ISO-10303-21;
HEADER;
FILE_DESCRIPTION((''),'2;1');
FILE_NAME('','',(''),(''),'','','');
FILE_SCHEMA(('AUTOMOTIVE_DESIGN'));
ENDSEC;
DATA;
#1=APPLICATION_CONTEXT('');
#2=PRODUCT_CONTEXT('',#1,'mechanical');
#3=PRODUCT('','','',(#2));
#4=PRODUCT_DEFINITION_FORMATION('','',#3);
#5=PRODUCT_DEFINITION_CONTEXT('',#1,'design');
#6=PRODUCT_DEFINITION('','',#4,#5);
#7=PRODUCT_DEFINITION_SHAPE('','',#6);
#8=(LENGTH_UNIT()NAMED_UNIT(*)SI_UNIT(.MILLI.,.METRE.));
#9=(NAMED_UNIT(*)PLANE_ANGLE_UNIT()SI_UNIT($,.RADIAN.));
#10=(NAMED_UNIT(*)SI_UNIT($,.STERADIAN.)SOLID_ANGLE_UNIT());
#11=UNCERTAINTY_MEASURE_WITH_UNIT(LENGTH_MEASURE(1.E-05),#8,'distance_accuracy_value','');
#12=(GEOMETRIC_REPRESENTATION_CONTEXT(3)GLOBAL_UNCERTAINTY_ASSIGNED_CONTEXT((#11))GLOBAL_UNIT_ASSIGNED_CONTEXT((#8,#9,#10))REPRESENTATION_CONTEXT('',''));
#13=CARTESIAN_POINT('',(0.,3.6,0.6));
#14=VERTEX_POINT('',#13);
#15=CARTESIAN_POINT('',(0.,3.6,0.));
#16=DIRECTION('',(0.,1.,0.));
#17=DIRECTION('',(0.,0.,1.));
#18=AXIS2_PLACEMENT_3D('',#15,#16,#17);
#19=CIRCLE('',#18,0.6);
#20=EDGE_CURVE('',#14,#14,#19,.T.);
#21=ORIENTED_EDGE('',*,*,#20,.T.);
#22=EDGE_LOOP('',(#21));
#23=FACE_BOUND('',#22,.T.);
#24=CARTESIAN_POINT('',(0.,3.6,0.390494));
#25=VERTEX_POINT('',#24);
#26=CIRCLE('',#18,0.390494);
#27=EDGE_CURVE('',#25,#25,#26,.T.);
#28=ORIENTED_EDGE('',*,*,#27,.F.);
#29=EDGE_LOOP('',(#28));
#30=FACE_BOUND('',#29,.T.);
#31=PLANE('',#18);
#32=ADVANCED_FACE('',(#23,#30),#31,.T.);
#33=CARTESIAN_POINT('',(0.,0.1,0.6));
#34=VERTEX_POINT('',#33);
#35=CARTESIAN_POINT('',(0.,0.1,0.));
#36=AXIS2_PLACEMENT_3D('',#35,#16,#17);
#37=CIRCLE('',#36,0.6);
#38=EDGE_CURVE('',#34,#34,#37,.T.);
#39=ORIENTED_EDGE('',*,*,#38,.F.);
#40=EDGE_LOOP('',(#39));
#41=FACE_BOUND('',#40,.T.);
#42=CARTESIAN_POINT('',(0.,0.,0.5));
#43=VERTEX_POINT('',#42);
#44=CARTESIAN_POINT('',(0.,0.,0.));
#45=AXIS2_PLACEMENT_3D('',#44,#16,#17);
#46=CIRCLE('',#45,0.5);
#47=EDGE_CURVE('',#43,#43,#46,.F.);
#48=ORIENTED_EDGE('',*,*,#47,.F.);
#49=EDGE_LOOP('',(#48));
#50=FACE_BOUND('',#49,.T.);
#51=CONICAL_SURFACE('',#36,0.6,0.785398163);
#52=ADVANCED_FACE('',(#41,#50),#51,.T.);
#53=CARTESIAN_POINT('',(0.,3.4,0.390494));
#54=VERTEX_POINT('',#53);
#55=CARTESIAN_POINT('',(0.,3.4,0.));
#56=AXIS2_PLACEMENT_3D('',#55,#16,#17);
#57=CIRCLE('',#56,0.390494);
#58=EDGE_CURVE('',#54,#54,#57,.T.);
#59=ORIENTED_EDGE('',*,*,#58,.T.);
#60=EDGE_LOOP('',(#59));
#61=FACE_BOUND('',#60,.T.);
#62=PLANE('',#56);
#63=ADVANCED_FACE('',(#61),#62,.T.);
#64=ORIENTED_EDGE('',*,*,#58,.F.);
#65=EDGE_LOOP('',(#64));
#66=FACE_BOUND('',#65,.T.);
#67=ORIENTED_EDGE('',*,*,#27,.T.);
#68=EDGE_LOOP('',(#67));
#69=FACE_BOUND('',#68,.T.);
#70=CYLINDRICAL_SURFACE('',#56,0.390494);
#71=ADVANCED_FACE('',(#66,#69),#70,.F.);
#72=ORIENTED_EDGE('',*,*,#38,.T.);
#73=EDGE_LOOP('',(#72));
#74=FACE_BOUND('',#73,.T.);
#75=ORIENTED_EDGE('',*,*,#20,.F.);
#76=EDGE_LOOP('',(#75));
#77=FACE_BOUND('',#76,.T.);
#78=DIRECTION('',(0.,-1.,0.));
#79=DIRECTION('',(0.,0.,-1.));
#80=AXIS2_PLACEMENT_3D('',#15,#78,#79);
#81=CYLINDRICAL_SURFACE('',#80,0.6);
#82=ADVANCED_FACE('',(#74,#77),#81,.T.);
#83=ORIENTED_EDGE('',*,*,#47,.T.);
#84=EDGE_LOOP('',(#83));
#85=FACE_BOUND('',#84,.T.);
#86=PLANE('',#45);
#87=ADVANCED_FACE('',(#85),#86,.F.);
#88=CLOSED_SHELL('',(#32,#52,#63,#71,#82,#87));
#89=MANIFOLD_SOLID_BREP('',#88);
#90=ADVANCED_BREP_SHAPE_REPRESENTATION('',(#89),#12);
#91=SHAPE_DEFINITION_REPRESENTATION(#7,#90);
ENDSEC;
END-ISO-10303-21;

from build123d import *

# Parameters (mm, degrees)
SKETCH1_R           = 0.6
BOSS_EXTRUDE1_DEPTH = 3.6
CHAMFER1_SIZE       = 0.1
SKETCH2_R           = 0.390493672
CUT_EXTRUDE1_DEPTH  = 0.2


with BuildPart() as part:
    # Sketch1 → Boss-Extrude1 (new body)
    with BuildSketch(Plane(origin=(0, 0, 0), x_dir=(1, 0, 0), z_dir=(0, 1, 0))):
        with Locations(Location((0, 0, 0), (0, 0, 270))):
            Circle(SKETCH1_R)
    extrude(amount=BOSS_EXTRUDE1_DEPTH)

    # Chamfer1
    chamfer1_edges = [part.edges().sort_by_distance(p)[0] for p in [
        (0, 0, -0.6),
    ]]
    chamfer(chamfer1_edges, length=CHAMFER1_SIZE)

    # Sketch2 → Cut-Extrude1 (cut)
    with BuildSketch(Plane(origin=(0, 3.6, 0), x_dir=(1, 0, 0), z_dir=(0, 1, 0))):
        with Locations(Location((0, 0, 0), (0, 0, 270))):
            Circle(SKETCH2_R)
    extrude(amount=-CUT_EXTRUDE1_DEPTH, mode=Mode.SUBTRACT)


solid = part.part
